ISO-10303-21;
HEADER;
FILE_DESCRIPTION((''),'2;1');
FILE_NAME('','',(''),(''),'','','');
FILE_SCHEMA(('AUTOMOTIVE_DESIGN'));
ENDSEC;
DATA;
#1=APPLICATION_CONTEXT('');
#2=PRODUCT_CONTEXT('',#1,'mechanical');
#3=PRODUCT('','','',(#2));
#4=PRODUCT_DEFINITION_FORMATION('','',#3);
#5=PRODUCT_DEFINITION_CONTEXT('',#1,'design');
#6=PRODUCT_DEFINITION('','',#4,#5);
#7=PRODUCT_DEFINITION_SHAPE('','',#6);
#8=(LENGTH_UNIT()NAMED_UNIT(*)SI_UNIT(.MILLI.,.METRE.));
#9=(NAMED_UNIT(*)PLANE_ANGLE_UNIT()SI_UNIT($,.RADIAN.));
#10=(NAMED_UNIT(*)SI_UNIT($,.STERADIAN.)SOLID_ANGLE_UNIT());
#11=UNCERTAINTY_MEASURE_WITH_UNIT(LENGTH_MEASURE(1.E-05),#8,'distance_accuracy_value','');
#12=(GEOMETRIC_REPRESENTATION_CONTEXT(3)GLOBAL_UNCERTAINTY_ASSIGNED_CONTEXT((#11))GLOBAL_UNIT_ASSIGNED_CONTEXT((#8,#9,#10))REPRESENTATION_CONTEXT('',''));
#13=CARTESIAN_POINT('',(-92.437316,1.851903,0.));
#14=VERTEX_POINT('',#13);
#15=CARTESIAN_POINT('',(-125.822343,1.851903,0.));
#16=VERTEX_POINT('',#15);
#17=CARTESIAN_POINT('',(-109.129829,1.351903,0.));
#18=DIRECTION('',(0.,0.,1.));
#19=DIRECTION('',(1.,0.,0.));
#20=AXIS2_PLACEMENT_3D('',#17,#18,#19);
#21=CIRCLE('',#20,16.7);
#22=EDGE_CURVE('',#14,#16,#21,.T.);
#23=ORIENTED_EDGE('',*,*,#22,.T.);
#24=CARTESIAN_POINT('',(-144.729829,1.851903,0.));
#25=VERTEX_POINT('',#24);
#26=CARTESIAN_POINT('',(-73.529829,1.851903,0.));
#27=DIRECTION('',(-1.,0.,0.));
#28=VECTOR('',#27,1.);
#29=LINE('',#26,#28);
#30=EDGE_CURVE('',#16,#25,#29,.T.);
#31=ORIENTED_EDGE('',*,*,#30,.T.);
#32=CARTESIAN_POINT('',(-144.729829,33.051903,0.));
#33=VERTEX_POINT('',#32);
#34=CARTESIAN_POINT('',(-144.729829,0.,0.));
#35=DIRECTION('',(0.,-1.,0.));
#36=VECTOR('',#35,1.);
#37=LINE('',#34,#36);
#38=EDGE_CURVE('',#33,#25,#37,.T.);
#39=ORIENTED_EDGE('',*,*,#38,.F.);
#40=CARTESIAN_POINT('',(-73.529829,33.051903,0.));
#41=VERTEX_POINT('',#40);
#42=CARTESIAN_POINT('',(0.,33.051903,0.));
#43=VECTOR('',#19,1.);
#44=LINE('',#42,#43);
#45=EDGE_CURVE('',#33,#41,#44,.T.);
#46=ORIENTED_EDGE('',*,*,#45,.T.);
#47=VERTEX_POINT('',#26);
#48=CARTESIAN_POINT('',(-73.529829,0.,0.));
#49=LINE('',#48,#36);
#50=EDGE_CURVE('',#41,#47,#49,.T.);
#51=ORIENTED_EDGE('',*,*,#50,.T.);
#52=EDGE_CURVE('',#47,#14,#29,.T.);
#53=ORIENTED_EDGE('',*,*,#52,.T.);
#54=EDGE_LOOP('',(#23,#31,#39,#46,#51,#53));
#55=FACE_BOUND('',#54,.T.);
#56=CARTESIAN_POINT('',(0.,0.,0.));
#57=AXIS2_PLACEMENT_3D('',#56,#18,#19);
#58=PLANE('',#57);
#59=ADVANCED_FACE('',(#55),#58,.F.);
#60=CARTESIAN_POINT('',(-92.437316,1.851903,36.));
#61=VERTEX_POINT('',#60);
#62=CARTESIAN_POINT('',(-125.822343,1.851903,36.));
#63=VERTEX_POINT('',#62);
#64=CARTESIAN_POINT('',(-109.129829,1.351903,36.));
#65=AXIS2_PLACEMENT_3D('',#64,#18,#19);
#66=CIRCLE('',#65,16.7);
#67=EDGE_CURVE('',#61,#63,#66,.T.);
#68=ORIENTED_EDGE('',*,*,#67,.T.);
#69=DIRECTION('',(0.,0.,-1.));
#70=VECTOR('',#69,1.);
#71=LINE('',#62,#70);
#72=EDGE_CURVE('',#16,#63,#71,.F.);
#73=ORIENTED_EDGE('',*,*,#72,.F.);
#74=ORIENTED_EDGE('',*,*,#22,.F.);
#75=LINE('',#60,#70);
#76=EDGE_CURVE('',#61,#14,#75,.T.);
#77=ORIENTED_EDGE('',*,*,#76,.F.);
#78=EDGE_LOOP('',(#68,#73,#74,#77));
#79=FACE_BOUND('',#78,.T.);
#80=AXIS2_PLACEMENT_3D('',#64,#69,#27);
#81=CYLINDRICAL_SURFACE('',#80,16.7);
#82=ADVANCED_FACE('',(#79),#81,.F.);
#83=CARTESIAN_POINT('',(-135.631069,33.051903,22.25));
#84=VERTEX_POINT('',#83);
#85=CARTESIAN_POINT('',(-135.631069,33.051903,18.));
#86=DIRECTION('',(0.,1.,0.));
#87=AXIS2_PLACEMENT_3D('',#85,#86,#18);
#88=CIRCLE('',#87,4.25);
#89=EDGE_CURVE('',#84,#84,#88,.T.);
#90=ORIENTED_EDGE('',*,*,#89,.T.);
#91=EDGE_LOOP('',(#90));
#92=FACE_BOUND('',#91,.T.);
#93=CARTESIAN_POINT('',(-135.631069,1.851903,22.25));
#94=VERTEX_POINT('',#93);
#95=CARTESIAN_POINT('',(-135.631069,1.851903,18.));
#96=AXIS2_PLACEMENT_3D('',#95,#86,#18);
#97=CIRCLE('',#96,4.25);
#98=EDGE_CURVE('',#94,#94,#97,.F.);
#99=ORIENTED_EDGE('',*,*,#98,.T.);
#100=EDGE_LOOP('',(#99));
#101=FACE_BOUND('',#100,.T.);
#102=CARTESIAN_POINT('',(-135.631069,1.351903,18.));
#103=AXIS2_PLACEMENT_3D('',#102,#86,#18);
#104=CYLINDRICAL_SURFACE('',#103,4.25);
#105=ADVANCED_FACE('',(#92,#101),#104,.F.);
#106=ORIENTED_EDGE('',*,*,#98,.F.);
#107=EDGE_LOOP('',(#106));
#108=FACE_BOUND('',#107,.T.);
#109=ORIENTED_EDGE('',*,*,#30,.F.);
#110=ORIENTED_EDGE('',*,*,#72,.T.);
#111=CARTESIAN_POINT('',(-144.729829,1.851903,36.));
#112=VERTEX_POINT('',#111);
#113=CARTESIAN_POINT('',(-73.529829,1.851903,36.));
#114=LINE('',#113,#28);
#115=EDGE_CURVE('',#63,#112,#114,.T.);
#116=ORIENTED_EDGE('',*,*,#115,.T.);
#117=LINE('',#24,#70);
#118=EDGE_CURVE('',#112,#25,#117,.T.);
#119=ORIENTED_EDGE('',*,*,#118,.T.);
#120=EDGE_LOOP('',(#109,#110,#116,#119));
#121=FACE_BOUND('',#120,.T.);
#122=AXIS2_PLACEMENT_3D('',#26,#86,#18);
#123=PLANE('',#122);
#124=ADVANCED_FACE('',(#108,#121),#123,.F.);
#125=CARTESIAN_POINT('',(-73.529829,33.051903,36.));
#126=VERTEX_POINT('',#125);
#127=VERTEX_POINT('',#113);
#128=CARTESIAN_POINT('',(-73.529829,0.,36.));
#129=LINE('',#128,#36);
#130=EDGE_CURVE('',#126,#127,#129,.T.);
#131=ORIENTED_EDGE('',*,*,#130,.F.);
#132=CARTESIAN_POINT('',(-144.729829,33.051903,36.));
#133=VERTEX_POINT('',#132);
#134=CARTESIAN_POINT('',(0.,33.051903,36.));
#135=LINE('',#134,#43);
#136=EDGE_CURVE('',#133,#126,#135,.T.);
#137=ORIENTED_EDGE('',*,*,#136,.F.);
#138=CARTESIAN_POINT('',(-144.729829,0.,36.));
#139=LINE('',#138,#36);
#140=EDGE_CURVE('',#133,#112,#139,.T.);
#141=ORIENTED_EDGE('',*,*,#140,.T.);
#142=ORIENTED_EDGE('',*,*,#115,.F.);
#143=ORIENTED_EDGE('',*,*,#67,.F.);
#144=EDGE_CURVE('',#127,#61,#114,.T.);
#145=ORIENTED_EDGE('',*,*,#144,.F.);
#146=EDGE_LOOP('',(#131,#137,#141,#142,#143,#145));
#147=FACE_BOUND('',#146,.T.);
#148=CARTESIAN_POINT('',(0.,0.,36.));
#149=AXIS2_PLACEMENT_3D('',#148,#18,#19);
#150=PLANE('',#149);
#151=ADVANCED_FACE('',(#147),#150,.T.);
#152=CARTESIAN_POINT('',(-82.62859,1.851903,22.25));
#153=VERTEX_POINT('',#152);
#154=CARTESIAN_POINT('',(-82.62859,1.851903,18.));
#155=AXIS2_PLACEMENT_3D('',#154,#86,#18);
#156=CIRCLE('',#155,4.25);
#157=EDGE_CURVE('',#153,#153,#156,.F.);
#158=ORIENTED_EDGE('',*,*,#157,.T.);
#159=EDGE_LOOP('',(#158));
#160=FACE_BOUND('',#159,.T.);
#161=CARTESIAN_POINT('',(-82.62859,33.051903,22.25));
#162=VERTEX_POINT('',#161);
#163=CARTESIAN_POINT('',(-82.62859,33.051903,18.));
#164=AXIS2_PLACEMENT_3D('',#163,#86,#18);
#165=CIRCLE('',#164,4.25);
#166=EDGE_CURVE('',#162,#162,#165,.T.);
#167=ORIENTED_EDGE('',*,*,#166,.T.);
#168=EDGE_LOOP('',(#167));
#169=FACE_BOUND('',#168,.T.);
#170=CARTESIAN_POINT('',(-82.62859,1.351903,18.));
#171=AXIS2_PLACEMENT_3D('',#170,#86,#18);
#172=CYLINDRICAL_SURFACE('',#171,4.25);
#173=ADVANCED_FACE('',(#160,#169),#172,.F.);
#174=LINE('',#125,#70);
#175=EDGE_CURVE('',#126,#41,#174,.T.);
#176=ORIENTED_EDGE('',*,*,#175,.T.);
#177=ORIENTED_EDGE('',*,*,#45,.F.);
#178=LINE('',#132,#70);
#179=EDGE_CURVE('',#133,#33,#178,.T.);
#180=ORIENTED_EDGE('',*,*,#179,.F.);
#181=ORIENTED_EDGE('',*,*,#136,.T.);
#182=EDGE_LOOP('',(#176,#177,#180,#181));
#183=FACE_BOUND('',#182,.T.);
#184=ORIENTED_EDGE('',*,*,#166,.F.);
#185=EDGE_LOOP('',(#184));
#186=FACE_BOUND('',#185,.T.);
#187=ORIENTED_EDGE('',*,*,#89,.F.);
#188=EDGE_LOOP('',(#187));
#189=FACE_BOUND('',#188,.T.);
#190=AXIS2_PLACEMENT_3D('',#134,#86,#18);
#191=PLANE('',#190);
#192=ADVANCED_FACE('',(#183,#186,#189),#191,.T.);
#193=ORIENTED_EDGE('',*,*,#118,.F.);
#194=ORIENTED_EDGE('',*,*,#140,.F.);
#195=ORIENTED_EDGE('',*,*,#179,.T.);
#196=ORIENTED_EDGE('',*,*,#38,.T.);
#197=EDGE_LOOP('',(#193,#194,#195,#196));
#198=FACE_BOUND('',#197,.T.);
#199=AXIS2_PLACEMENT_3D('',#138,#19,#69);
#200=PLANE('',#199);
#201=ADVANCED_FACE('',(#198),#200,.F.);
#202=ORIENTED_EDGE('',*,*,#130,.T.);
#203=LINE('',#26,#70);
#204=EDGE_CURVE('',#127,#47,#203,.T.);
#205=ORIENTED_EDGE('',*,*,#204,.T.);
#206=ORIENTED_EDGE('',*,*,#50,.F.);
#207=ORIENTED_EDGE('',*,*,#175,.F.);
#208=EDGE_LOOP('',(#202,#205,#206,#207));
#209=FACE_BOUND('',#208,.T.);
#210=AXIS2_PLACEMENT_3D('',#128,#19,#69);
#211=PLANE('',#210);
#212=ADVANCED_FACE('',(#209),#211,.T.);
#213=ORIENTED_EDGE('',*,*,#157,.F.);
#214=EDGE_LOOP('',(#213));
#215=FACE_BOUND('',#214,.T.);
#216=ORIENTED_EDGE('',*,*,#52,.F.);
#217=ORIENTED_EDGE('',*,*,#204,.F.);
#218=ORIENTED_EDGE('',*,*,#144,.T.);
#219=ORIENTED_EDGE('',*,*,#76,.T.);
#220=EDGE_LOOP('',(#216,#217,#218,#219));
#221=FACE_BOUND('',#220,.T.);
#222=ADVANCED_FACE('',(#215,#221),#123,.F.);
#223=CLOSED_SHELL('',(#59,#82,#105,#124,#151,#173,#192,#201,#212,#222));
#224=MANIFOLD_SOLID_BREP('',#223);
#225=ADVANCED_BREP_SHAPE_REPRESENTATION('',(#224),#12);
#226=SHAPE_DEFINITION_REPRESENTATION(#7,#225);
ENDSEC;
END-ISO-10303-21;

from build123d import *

# Parameters (mm, degrees)
BOSS_EXTRUDE1_DEPTH = 36
SKETCH2_R           = 4.25
CUT_EXTRUDE1_DEPTH  = 32.7
SKETCH3_W           = 36
SKETCH3_H           = 0.5
CUT_EXTRUDE2_DEPTH  = 72.2


with BuildPart() as part:
    # Sketch1 → Boss-Extrude1 (new body)
    with BuildSketch(Plane.XY):
        with BuildLine():
            Line((-73.529829319, 33.051903281), (-144.729829319, 33.051903281))
            Line((-144.729829319, 33.051903281), (-144.729829319, 1.351903281))
            Line((-144.729829319, 1.351903281), (-125.829829319, 1.351903281))
            ThreePointArc((-125.829829319, 1.351903281), (-109.129829319, 18.051903281), (-92.429829319, 1.351903281))
            Line((-92.429829319, 1.351903281), (-73.529829319, 1.351903281))
            Line((-73.529829319, 1.351903281), (-73.529829319, 33.051903281))
        make_face()
    extrude(amount=BOSS_EXTRUDE1_DEPTH)

    # Sketch2 → Cut-Extrude1 (cut, through all)
    with BuildSketch(Plane(origin=(0, 33.051903281, 0), x_dir=(1, 0, 0), z_dir=(0, 1, 0))):
        with Locations((-82.628590119, -18)):
            Circle(SKETCH2_R)
        with Locations((-135.631068518, -18)):
            Circle(SKETCH2_R)
    extrude(amount=-CUT_EXTRUDE1_DEPTH, mode=Mode.SUBTRACT)

    # Sketch3 → Cut-Extrude2 (cut, through all)
    with BuildSketch(Plane.ZY.offset(144.729829319)):
        with Locations((18, 1.601903281)):
            Rectangle(SKETCH3_W, SKETCH3_H)
    extrude(amount=-CUT_EXTRUDE2_DEPTH, mode=Mode.SUBTRACT)


solid = part.part
